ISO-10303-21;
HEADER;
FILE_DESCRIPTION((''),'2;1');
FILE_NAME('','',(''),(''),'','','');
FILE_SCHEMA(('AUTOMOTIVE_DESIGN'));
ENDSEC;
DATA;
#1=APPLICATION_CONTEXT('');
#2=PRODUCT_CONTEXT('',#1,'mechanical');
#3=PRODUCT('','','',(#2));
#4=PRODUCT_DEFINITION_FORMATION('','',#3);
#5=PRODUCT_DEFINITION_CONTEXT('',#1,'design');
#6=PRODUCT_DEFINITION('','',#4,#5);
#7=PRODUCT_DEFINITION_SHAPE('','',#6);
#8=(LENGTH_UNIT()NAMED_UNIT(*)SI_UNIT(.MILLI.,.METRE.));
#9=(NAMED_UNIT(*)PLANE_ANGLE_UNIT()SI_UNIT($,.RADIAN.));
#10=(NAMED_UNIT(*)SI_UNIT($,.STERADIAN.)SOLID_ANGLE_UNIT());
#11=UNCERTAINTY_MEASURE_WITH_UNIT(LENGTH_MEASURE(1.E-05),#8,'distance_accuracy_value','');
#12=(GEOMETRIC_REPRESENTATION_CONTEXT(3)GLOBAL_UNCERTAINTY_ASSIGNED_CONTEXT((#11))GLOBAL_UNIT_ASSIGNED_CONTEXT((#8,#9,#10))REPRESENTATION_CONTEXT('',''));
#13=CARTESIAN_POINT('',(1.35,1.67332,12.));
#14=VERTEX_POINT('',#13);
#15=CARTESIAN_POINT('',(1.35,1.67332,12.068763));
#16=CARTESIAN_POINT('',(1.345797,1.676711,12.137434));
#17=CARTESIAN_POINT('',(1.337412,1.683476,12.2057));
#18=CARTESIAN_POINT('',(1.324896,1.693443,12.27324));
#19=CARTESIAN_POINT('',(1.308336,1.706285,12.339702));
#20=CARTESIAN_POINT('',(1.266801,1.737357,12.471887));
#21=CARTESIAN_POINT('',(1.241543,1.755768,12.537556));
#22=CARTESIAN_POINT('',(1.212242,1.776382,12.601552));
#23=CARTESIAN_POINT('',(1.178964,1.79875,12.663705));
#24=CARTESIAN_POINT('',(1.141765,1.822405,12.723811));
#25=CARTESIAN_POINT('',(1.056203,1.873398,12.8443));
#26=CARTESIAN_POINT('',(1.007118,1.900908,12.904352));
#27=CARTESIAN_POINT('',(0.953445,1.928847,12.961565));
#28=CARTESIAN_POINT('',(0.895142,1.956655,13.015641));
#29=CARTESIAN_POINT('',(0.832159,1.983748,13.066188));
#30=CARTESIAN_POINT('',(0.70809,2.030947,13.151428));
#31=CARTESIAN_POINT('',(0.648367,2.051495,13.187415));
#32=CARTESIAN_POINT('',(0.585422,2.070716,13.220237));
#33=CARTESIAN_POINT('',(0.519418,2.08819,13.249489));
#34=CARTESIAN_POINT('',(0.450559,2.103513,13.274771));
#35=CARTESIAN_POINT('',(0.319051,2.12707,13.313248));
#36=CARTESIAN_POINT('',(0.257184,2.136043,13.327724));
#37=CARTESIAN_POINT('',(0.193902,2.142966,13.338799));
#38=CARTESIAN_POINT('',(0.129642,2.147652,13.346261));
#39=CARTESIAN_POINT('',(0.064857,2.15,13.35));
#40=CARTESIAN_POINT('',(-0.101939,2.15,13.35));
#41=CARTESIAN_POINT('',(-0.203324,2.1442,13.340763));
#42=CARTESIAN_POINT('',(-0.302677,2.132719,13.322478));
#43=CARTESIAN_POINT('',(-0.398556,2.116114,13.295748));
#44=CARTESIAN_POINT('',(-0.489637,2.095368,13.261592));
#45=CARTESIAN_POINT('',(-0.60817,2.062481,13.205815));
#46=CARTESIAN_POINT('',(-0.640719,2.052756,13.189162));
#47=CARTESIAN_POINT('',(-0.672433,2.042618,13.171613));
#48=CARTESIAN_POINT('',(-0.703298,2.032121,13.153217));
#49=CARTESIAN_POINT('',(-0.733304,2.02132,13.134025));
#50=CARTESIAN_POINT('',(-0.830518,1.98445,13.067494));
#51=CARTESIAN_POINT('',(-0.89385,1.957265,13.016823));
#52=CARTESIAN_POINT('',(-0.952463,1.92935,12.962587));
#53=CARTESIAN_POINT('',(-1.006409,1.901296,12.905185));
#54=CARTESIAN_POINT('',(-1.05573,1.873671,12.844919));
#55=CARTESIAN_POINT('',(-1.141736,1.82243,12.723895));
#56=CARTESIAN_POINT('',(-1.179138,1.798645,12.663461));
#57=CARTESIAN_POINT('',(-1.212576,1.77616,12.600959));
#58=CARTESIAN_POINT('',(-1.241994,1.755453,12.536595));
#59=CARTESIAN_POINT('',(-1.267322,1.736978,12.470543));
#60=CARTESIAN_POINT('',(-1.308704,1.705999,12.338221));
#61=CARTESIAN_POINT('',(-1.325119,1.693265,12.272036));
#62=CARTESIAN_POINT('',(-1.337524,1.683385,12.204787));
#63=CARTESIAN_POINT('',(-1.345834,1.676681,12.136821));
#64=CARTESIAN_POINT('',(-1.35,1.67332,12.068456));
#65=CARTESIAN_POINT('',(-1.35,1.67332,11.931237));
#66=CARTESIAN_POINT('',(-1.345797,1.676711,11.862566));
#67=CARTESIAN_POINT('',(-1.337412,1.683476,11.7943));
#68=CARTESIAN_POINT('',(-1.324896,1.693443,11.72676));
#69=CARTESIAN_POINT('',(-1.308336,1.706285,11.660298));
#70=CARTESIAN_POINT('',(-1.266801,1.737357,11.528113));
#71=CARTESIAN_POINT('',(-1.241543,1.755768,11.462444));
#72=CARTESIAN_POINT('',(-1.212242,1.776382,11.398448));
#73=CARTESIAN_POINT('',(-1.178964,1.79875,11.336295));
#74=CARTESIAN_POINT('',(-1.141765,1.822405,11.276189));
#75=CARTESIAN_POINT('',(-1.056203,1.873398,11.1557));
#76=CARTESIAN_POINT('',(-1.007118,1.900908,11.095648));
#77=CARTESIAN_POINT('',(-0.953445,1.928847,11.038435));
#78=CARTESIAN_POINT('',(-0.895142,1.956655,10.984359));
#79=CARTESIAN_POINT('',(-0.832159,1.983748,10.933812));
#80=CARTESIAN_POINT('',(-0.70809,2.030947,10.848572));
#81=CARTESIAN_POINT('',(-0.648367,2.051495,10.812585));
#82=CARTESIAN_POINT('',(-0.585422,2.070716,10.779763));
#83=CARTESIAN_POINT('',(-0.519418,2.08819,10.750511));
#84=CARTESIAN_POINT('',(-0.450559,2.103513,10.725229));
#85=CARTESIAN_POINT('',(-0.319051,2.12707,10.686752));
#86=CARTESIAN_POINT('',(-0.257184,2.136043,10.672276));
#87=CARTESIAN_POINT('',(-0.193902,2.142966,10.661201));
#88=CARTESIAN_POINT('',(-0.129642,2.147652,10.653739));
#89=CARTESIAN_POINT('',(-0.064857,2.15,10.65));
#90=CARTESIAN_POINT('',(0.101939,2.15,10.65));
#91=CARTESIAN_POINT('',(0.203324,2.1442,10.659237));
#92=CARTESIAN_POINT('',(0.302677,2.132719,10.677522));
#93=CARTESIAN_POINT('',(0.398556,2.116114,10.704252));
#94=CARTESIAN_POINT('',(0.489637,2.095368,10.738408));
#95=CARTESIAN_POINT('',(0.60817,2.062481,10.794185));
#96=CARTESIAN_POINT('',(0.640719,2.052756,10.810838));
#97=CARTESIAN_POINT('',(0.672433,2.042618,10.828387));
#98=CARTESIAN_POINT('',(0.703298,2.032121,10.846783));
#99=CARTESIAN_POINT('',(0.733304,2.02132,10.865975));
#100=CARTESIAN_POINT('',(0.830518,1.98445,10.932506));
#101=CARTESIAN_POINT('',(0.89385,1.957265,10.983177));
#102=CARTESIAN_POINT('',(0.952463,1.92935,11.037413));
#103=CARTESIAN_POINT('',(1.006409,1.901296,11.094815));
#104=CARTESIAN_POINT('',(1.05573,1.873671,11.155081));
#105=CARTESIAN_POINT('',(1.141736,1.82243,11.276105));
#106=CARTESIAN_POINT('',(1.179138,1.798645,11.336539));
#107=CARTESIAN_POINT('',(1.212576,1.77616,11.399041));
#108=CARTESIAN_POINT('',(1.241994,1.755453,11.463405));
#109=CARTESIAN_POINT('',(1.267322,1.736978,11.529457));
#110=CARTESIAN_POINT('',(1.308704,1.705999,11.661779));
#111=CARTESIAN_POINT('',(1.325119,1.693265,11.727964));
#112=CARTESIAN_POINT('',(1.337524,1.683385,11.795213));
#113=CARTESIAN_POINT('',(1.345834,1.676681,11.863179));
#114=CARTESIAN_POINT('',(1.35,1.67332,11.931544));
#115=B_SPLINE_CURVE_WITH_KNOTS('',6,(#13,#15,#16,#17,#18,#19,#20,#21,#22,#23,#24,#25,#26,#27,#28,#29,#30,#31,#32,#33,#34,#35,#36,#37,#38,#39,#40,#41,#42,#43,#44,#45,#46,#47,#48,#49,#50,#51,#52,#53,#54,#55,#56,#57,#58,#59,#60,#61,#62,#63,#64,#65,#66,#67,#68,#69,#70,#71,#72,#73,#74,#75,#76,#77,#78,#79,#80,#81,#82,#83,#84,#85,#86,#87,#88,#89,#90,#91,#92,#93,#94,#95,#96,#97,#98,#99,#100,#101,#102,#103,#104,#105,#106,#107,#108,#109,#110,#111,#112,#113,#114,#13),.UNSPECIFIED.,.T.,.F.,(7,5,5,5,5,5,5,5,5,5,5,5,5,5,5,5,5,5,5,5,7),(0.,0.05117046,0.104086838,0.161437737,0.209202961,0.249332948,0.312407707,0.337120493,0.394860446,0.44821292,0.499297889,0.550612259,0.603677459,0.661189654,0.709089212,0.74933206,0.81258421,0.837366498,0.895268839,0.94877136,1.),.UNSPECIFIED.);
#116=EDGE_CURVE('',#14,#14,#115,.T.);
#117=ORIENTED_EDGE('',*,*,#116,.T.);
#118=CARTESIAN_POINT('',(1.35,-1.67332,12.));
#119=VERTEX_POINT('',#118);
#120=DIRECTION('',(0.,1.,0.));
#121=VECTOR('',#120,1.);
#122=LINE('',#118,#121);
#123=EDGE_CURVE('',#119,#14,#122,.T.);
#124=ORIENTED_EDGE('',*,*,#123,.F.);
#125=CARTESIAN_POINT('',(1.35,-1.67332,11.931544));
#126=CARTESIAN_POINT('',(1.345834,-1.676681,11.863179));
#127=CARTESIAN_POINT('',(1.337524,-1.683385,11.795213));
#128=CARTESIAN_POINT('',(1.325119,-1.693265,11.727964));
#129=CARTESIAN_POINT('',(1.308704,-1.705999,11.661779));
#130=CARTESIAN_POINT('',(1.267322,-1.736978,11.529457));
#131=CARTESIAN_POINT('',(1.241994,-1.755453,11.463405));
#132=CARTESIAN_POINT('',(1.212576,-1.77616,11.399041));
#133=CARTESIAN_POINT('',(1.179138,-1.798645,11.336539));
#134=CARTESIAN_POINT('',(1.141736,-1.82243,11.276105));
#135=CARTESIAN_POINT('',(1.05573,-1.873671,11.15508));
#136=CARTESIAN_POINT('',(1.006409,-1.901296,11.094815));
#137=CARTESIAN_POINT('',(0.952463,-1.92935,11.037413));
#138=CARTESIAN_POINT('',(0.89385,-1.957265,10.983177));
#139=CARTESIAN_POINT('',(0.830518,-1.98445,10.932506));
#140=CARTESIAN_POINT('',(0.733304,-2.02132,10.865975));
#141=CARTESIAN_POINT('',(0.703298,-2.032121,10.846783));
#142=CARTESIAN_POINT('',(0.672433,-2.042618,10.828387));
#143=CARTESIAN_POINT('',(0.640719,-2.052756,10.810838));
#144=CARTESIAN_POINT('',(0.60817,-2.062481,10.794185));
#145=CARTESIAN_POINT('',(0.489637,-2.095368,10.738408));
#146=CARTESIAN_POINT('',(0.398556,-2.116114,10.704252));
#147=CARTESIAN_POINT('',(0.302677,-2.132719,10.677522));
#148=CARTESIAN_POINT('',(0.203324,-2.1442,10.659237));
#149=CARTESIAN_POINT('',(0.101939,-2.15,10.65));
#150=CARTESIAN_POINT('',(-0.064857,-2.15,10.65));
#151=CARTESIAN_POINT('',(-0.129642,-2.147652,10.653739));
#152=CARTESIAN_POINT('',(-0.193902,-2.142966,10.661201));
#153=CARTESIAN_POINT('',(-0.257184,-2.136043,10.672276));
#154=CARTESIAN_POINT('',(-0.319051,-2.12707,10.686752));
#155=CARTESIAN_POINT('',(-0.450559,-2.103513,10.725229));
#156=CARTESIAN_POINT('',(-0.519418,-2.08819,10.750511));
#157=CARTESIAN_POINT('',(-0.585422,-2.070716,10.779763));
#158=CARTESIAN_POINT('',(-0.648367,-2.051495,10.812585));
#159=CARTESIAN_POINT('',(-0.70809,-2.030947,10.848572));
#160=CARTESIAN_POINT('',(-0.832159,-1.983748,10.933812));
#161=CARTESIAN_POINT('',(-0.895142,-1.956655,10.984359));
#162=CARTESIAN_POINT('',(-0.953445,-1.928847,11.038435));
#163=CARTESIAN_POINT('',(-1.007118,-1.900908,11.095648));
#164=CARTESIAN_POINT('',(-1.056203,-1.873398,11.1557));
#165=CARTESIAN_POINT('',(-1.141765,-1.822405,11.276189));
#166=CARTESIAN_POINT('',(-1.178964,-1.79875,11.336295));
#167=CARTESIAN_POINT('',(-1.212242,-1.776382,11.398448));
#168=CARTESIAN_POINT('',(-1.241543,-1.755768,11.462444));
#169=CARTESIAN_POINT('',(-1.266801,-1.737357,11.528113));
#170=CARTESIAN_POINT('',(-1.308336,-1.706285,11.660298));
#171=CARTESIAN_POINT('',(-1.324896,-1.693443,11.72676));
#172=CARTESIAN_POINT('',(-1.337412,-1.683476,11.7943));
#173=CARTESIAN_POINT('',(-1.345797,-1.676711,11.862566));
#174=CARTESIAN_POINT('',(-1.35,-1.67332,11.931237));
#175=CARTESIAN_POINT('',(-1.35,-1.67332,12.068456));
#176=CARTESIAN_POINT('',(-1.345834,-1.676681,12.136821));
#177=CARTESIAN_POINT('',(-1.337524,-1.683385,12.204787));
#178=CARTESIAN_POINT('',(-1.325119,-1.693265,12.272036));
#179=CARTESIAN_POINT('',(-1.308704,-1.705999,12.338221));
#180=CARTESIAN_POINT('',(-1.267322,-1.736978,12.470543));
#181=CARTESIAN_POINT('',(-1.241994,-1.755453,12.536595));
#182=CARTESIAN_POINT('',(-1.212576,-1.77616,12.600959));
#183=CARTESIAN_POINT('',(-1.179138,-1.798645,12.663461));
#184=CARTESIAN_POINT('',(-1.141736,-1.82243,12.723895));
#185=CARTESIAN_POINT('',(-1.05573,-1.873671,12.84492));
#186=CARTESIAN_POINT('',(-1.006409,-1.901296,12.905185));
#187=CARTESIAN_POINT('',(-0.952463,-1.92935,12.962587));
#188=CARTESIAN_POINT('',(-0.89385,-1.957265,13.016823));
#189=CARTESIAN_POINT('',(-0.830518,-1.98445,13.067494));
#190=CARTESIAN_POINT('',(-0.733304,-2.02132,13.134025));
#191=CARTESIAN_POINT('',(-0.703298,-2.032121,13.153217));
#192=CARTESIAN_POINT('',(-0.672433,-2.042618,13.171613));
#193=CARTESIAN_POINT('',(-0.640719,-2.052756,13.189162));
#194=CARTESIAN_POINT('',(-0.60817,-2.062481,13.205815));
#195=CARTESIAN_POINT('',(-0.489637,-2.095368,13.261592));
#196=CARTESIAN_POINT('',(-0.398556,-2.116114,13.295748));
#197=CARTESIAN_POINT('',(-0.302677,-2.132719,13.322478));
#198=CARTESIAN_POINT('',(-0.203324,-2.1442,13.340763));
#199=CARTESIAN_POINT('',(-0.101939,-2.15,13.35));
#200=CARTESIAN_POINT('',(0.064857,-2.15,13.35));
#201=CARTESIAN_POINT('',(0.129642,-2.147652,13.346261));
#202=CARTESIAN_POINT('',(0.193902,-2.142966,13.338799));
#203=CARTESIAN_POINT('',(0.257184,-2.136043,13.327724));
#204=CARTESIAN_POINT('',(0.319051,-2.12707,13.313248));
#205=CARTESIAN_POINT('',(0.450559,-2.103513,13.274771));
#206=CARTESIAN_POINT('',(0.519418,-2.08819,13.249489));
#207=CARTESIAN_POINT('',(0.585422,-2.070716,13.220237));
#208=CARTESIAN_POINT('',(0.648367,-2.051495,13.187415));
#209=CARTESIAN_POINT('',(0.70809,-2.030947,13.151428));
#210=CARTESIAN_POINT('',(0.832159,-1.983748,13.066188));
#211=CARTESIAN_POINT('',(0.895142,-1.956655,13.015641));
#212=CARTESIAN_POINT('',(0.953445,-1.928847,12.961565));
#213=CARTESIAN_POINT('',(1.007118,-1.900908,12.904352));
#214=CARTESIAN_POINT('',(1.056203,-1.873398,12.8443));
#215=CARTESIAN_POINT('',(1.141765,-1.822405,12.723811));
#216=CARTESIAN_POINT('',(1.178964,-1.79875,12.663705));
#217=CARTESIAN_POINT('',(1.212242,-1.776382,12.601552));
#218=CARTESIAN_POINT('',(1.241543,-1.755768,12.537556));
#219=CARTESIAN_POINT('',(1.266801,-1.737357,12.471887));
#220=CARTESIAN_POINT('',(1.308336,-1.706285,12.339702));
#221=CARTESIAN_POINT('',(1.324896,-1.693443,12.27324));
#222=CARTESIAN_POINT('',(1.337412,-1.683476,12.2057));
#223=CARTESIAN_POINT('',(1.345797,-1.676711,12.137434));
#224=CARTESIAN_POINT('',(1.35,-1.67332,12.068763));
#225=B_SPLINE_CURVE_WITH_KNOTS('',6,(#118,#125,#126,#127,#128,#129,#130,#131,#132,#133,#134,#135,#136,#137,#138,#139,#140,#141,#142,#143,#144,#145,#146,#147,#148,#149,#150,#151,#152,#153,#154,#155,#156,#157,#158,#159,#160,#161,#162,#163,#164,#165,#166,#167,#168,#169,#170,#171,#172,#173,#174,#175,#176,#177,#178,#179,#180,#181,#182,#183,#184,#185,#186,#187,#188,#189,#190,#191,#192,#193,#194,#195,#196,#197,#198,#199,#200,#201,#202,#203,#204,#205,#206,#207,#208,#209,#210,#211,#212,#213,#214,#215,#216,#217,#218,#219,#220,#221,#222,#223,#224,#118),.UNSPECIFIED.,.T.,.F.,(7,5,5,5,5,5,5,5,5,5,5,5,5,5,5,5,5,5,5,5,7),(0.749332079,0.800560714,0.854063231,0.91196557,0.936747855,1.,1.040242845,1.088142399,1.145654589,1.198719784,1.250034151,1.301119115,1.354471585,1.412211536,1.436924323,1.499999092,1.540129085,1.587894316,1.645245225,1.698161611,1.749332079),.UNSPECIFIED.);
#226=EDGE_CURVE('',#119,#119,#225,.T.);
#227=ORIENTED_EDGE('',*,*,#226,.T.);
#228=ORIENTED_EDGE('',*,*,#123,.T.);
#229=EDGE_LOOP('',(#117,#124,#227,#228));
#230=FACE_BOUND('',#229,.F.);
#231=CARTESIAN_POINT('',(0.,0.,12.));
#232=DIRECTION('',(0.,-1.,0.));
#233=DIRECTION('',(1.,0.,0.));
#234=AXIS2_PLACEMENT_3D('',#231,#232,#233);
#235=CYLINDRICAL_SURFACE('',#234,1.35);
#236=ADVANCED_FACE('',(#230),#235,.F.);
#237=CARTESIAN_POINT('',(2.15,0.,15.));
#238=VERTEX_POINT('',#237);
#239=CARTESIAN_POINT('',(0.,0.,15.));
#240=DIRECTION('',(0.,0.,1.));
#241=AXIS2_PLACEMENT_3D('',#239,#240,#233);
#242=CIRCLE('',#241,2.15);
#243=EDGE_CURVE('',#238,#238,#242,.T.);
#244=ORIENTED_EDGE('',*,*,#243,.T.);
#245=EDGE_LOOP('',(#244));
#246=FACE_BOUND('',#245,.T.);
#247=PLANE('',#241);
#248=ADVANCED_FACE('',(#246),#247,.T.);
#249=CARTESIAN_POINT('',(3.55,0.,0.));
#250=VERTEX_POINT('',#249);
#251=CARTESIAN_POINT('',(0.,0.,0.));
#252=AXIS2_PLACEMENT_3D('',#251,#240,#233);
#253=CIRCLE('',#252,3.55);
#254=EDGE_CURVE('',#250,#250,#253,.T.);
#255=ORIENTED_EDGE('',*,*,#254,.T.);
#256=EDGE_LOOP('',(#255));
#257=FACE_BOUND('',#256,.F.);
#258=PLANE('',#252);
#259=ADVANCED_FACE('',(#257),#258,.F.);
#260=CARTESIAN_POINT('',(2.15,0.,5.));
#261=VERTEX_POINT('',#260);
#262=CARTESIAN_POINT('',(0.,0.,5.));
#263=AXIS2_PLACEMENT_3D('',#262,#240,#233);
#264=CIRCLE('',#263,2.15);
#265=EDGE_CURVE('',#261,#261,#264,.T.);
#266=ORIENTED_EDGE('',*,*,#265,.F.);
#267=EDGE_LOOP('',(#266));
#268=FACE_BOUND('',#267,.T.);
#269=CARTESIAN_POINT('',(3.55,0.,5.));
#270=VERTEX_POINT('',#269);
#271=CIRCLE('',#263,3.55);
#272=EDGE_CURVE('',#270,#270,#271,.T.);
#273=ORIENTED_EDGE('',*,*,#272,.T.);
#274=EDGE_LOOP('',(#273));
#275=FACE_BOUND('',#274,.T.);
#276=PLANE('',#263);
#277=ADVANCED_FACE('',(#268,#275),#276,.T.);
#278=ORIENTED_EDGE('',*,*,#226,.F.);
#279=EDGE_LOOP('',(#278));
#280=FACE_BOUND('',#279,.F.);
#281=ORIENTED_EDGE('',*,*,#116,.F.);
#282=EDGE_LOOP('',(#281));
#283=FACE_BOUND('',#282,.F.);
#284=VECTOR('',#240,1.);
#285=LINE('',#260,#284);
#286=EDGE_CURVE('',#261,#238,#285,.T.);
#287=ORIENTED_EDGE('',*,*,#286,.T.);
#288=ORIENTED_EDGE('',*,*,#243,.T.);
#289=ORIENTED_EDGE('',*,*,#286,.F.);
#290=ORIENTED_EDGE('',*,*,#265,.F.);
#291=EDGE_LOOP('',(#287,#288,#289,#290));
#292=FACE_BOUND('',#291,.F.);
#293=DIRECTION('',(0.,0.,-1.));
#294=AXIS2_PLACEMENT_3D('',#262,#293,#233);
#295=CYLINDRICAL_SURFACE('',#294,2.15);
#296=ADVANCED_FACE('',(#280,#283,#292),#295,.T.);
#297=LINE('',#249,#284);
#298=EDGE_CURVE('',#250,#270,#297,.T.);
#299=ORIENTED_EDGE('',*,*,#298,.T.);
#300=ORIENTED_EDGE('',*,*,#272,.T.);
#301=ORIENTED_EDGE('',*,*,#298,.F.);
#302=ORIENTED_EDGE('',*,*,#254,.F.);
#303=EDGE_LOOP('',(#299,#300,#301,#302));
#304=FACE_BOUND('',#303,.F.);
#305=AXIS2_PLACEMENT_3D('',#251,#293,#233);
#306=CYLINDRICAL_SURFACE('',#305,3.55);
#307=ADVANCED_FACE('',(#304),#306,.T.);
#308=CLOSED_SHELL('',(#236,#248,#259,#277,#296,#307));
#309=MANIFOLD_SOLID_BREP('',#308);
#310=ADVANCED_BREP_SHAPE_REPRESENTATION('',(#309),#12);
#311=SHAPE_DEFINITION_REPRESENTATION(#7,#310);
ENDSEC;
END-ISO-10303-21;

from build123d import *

# Parameters (mm, degrees)
F0_R          = 3.55
F1_DEPTH      = 5
F2_R          = 2.15
F3_DEPTH      = 10
F4_R          = 1.35
F5_DEPTH      = 2.15
F5_DEPTH_BACK = 2.15


with BuildPart() as f1:
    # F0 (on Top) → F1 (new body)
    with BuildSketch(Plane.XY):
        Circle(F0_R)
    extrude(amount=F1_DEPTH)

    # F2 (on face) → F3 (join)
    with BuildSketch(Plane.XY.offset(5)):
        Circle(F2_R)
    extrude(amount=F3_DEPTH)

    # F4 (on Front) → F5 (cut, two sides)
    with BuildSketch(Plane.XZ) as f5_sk:
        with Locations((0, 12)):
            Circle(F4_R)
    extrude(amount=-F5_DEPTH, mode=Mode.SUBTRACT)
    extrude(f5_sk.sketch, amount=F5_DEPTH_BACK, mode=Mode.SUBTRACT)


solid = f1.part
